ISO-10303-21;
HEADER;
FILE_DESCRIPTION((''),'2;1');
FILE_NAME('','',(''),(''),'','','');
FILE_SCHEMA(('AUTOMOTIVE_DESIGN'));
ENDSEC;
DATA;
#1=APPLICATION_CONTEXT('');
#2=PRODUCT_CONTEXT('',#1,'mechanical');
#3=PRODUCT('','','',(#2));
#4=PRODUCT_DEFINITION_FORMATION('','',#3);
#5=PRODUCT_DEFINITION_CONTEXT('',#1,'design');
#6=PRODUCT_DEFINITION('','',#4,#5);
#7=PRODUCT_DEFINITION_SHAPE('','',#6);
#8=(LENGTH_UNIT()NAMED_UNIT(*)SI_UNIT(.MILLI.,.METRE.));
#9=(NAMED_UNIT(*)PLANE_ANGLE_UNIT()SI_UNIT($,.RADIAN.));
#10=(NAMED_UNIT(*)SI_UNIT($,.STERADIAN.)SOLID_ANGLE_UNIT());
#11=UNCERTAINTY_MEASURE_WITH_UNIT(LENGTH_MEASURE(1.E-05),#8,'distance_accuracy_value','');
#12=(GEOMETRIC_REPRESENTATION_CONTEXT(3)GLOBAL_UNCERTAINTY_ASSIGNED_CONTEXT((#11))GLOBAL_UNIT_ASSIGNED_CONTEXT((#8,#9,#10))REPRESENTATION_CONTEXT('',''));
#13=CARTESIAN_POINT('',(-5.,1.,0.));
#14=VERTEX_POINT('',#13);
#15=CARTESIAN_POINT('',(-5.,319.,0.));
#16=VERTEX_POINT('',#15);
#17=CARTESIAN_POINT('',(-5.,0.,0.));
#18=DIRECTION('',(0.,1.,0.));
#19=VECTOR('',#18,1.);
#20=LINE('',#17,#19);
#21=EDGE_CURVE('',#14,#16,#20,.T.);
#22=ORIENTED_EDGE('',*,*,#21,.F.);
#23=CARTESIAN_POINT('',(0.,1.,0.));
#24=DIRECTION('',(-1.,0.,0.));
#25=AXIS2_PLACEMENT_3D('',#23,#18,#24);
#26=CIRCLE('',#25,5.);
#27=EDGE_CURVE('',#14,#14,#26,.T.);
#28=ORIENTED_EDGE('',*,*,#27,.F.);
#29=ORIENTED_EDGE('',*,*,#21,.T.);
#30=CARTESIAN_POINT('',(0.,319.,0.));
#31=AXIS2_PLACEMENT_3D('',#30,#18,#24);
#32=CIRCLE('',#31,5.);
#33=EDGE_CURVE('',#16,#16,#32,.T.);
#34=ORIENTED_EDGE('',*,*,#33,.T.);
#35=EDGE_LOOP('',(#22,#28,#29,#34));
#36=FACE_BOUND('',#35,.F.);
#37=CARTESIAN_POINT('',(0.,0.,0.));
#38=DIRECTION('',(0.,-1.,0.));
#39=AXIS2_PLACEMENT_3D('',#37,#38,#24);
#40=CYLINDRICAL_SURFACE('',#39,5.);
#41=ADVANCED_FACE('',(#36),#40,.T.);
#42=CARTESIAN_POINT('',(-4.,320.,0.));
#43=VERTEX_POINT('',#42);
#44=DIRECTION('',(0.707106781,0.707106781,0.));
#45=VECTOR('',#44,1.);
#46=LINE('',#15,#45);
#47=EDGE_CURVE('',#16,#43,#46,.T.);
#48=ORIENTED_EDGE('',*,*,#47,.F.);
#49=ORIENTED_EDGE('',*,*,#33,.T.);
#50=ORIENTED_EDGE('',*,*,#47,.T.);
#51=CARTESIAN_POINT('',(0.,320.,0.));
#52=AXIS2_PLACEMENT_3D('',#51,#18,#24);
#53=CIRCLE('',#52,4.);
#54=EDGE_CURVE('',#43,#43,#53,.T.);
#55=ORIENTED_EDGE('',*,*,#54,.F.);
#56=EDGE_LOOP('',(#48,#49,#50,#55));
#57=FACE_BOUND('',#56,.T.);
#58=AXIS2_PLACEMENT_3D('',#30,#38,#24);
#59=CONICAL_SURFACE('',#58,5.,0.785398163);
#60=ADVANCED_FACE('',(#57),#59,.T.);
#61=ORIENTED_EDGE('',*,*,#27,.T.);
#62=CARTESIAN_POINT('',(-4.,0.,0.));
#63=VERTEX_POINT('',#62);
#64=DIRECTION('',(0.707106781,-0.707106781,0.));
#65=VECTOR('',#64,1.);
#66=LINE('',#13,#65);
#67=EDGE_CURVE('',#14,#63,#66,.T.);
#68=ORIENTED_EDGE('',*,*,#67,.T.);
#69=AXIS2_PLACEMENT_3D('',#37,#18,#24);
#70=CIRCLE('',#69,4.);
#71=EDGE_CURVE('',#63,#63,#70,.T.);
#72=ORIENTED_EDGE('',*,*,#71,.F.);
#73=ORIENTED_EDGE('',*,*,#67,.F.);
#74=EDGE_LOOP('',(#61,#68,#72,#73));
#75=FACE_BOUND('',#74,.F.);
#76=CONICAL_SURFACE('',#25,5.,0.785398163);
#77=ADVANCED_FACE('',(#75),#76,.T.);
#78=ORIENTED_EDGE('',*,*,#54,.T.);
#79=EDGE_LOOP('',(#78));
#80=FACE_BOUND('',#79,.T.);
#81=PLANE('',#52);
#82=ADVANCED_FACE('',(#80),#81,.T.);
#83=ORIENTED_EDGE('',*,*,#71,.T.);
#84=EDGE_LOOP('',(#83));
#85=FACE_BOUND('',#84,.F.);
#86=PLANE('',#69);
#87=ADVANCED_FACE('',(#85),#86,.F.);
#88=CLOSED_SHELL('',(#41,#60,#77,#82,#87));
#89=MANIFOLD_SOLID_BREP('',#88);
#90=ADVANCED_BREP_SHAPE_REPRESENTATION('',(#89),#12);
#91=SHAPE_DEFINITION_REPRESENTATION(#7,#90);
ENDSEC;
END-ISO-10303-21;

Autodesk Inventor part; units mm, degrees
ref_plane "YZ Plane" through (0, 0, 0) normal (1, 0, 0) x (0, 1, 0)
ref_plane "XZ Plane" through (0, 0, 0) normal (0, 1, 0) x (-1, 0, 0)
ref_plane "XY Plane" through (0, 0, 0) normal (0, 0, 1) x (1, 0, 0)
sketch "Sketch1" plane through (0, 0, 0) normal (0, 1, 0) x (-1, 0, 0)
  circle A0 centre (0, 0) radius 5
  dimension "d0" = 10
extrude "Extrusion1" add sketch "Sketch1" along normal blind 320
chamfer "Chamfer1" distance 1 angle 45 2 edges at (5, 320, 0) (5, 0, 0)
properties part number "Z-Axis Rod" material "Stainless Steel, 440C"
